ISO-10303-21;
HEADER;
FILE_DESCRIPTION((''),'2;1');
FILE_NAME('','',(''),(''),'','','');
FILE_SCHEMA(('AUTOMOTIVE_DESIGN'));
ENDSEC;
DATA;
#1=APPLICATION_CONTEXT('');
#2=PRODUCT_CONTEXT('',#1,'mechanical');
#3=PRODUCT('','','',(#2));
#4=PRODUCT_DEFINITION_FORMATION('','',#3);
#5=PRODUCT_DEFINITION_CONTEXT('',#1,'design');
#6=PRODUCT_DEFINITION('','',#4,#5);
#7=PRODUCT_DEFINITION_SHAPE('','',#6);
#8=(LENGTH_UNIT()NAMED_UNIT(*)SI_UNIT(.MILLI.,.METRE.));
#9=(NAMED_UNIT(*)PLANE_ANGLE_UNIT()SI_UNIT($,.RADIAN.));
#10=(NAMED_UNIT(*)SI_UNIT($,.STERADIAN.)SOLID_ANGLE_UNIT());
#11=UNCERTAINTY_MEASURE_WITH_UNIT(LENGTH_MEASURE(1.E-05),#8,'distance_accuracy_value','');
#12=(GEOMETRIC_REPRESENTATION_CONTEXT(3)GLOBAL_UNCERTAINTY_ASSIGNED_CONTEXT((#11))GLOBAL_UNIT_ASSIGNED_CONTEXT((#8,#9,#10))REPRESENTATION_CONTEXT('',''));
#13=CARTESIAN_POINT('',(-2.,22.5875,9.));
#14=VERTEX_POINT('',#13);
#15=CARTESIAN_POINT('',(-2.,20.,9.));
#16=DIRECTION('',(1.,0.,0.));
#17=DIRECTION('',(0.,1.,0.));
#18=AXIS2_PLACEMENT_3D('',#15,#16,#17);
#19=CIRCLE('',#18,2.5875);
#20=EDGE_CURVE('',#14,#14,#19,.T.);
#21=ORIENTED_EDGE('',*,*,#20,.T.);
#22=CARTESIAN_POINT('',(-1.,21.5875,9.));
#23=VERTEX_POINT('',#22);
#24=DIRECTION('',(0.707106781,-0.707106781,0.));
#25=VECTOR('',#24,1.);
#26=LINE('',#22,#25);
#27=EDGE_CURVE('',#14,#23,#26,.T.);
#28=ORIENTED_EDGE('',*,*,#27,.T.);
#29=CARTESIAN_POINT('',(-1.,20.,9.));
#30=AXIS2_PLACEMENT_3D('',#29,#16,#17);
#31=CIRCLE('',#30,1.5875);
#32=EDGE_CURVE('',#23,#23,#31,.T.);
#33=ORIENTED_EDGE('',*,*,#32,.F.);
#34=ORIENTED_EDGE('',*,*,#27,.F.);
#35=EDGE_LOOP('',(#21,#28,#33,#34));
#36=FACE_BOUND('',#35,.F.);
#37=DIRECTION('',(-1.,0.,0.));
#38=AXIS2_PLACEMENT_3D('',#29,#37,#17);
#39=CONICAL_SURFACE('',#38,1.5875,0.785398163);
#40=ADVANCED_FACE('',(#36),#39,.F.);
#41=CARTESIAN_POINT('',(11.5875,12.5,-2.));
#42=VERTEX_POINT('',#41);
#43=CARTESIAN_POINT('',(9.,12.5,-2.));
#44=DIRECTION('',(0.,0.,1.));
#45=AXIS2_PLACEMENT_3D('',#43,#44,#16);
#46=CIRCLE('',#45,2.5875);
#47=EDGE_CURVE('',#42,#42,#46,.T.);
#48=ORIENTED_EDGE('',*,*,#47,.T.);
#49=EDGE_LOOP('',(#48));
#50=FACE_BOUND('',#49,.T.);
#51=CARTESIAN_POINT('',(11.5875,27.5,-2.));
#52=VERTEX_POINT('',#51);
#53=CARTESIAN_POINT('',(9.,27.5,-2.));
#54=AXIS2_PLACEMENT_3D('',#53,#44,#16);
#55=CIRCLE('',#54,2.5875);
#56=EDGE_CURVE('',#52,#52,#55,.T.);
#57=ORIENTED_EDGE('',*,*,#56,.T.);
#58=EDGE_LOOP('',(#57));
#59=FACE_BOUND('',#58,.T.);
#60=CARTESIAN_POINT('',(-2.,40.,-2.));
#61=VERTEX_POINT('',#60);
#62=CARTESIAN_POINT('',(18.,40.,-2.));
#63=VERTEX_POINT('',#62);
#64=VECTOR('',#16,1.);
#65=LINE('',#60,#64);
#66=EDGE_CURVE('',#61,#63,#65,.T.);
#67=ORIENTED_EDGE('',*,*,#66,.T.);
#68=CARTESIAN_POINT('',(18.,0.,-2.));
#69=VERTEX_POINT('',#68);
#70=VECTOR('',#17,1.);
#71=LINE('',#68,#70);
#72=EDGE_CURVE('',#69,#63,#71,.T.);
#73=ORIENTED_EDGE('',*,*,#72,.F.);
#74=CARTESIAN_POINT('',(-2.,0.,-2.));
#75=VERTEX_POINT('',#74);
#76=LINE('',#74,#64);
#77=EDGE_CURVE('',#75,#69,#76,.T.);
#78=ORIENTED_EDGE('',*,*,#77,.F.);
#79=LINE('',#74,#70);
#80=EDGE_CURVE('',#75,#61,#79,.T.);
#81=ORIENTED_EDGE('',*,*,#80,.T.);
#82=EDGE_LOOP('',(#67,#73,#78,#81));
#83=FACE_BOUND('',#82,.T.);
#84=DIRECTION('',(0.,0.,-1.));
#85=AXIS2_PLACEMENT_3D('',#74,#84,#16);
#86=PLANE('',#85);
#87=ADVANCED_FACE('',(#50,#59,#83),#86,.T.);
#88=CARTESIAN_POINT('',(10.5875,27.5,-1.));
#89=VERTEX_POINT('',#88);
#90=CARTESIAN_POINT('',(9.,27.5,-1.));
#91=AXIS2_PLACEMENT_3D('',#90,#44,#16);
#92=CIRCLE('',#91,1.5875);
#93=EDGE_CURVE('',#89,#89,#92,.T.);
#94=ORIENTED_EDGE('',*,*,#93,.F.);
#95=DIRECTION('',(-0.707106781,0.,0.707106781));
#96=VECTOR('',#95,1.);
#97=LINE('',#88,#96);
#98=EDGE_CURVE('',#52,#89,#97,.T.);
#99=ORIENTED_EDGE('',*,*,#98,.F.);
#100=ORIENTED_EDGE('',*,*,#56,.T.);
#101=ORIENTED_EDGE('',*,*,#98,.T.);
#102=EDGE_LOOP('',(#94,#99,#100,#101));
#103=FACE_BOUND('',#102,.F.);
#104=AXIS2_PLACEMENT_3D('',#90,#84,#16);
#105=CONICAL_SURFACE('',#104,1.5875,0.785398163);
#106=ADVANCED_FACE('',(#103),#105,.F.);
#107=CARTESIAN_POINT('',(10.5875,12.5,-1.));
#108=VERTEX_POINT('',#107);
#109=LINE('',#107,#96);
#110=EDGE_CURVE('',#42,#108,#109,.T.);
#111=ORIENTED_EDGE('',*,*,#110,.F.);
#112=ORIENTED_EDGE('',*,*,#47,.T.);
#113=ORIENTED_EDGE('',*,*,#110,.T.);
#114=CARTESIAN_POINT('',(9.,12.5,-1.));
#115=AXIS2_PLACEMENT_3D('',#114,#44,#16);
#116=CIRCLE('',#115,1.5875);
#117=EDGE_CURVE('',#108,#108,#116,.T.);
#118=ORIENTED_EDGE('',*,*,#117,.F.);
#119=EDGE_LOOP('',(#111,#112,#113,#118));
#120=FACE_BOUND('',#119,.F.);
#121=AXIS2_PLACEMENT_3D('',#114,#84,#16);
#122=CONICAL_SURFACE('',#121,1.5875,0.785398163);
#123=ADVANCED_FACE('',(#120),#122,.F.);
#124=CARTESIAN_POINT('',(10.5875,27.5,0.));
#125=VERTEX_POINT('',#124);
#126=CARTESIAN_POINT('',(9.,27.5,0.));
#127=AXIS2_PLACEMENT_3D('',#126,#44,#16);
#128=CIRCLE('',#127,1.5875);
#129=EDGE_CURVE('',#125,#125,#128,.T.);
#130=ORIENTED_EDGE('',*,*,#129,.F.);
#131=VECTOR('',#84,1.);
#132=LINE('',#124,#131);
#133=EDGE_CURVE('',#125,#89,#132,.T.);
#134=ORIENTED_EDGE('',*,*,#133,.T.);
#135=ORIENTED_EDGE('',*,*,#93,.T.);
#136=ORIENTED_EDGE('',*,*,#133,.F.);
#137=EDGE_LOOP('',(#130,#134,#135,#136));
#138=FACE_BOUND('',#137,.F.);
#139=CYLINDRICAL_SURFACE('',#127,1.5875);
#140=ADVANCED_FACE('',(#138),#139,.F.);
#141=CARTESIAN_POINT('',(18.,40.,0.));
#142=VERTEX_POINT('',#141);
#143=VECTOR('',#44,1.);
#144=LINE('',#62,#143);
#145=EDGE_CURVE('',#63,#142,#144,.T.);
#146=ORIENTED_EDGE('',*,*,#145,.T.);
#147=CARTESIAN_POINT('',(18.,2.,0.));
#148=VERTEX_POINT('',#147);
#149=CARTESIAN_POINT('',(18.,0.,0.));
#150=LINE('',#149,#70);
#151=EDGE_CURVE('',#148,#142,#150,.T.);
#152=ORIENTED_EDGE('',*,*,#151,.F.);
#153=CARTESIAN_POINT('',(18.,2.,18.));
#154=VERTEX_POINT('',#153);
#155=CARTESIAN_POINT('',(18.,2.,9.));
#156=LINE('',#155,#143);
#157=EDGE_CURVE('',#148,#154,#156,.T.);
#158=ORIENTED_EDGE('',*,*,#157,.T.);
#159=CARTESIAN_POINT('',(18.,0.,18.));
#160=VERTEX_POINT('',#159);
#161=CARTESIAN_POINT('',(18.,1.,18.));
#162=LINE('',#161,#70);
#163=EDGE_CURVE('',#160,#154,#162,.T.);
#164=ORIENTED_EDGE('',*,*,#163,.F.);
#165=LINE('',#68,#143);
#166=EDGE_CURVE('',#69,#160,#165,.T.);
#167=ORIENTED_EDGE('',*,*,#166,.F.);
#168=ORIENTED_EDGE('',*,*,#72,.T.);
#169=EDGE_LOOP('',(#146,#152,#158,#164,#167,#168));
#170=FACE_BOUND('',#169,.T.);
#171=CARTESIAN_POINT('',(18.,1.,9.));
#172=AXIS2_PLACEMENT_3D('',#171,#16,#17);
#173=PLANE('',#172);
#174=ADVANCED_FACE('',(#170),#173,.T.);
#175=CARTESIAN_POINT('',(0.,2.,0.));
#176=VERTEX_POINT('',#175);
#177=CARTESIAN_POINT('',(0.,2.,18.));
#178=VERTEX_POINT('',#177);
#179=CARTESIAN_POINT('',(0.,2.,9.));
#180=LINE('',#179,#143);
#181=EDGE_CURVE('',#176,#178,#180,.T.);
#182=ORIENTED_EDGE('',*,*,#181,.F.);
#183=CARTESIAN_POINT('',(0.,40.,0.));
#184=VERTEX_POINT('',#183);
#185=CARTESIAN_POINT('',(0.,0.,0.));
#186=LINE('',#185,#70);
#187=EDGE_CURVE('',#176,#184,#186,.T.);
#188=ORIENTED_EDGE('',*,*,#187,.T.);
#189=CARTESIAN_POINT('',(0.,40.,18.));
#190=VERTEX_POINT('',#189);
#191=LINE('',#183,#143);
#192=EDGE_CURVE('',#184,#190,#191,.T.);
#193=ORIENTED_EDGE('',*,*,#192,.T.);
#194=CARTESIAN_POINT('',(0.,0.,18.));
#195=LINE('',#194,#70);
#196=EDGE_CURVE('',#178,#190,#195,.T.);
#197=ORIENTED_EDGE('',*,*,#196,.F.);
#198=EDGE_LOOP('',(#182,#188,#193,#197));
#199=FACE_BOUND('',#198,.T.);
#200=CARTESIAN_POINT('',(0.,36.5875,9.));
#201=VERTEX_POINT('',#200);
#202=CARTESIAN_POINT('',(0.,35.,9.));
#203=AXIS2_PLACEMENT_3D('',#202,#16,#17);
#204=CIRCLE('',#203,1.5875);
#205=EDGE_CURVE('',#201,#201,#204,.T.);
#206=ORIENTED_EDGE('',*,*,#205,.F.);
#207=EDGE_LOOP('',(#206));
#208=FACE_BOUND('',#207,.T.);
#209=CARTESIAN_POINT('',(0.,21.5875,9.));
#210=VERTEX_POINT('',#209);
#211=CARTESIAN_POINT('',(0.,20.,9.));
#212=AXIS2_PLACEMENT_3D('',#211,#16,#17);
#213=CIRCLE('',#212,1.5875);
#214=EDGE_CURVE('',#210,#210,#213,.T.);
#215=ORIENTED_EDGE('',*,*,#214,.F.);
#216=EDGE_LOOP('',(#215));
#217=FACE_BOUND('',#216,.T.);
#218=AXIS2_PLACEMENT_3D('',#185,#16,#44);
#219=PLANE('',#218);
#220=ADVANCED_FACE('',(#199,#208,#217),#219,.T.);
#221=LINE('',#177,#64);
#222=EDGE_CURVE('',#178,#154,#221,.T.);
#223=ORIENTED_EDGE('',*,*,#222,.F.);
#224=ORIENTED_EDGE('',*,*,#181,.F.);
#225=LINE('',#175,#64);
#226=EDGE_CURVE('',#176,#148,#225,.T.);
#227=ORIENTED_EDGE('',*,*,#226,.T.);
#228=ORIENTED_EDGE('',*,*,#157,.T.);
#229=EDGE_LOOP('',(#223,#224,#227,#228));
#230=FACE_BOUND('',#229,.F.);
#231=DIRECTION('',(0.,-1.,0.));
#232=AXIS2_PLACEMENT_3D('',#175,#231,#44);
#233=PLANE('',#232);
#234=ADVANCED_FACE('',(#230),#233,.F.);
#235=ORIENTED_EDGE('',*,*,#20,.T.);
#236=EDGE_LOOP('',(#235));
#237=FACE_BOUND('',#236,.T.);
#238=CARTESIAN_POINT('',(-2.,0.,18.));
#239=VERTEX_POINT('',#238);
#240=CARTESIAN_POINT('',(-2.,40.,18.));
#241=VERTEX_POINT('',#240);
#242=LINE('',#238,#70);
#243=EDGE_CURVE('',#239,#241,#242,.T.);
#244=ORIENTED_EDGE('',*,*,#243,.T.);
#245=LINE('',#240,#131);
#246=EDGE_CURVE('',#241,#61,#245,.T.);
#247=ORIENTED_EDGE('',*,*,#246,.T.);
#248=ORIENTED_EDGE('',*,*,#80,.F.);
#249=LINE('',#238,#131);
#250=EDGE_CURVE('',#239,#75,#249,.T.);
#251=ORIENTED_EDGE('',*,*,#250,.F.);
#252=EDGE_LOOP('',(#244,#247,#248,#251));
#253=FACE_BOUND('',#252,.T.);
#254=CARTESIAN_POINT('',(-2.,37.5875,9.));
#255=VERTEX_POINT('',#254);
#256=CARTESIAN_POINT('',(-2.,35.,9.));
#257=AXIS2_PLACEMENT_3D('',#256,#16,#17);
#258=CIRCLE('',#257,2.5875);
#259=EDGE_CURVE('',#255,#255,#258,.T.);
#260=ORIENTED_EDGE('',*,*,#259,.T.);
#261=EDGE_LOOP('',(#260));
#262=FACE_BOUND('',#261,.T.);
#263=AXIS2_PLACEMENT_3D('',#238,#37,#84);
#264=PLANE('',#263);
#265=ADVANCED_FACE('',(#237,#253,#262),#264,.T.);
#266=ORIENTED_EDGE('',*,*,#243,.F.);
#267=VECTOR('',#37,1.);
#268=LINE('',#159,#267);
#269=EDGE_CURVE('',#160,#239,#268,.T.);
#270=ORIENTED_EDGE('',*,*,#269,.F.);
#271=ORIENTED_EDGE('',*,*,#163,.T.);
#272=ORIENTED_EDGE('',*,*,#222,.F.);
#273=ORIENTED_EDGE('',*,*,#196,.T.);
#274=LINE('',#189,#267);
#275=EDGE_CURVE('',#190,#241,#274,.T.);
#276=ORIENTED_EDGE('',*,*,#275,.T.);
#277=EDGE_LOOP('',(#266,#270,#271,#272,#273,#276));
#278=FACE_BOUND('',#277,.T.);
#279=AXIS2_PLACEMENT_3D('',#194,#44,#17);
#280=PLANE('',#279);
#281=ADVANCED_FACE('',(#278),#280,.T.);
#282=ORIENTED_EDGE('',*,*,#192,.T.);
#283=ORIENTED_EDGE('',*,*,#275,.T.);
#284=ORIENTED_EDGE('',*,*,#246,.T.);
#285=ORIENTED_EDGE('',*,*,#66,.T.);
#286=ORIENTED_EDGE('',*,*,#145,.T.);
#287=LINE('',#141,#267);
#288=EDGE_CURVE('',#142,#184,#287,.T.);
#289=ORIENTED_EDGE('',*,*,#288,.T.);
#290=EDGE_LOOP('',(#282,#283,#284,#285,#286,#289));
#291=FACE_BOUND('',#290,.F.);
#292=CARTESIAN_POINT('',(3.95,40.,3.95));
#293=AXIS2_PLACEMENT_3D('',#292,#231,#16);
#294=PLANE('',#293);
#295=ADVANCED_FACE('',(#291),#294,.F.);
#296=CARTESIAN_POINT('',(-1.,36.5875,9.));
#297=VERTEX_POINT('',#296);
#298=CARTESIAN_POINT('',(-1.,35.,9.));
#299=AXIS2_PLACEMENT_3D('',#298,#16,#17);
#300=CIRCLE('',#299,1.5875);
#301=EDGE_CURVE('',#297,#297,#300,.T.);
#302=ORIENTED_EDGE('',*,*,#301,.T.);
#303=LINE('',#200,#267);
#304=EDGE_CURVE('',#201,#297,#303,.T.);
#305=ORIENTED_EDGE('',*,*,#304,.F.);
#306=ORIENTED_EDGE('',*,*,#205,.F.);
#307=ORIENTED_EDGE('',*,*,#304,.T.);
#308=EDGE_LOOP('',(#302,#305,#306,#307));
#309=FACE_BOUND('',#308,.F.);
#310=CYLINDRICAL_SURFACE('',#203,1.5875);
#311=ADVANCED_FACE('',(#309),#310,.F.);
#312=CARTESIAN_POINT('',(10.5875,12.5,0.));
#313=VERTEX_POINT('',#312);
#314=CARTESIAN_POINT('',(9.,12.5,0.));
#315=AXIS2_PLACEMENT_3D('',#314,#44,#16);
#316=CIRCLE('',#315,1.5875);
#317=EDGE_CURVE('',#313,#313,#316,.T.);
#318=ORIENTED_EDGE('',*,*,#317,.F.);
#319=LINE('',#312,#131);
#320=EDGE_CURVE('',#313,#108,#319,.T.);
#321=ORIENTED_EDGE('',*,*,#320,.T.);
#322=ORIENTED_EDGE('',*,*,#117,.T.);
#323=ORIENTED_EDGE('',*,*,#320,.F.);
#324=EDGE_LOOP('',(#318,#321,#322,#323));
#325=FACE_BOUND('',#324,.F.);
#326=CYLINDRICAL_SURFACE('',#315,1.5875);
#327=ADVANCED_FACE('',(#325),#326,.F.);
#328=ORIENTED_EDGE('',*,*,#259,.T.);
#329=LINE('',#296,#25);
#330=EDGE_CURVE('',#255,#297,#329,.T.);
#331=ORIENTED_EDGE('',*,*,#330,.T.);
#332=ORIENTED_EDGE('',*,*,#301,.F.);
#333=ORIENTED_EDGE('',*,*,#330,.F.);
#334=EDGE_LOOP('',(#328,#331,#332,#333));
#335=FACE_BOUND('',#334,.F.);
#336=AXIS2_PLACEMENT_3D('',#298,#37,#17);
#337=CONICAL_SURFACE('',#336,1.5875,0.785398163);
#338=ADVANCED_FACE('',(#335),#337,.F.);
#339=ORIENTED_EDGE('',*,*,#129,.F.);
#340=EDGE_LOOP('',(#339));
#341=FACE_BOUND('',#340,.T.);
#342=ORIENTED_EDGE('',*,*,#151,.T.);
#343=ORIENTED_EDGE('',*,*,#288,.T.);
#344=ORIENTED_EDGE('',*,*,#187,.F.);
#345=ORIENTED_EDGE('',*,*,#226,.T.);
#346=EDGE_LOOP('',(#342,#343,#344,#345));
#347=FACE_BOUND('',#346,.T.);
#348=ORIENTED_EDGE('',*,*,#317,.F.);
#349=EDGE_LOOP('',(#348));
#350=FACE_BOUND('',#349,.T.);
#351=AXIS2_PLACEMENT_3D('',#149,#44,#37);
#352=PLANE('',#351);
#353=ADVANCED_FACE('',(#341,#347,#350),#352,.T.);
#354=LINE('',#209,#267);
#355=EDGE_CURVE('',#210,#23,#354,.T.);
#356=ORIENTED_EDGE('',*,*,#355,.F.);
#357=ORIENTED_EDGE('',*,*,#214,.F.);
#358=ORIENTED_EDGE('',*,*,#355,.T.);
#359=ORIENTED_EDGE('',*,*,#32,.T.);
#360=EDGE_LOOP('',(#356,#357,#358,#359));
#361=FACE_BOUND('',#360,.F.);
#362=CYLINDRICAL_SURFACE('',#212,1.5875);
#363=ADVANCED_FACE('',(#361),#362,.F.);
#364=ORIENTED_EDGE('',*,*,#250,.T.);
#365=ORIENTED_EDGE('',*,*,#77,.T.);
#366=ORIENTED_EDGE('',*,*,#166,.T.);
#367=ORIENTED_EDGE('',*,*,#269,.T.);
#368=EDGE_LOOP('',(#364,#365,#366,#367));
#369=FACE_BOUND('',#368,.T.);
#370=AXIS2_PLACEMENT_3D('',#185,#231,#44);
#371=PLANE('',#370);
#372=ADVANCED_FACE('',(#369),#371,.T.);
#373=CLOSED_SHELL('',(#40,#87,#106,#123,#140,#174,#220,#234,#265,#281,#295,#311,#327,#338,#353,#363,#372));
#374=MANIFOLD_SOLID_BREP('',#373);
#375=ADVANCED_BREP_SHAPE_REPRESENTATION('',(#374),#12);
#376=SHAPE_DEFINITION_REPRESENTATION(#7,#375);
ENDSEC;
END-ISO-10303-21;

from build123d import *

# Parameters (mm, degrees)
F1_DEPTH = 40
F2_W     = 2
F2_H     = 18
F3_DEPTH = 18
F4_R     = 1.5875
F5_DEPTH = 2.001
F6_R     = 1.5875
F7_DEPTH = 2.001
F8_SIZE  = 1


with BuildPart() as f1:
    # F0 (on Front) → F1 (new body)
    with BuildSketch(Plane.XZ):
        Polygon((-2, 18), (-2, -2), (18, -2), (18, 0), (0, 0), (0, 18), align=None)
    extrude(amount=-F1_DEPTH)

    # F2 (on face) → F3 (join, through all)
    with BuildSketch(Plane.YZ):
        with Locations((1, 9)):
            Rectangle(F2_W, F2_H)
    extrude(amount=F3_DEPTH)

    # F4 (on face) → F5 (cut, through all)
    with BuildSketch(Plane.XY):
        with Locations((9, 12.5)):
            Circle(F4_R)
        with Locations((9, 27.5)):
            Circle(F4_R)
    extrude(amount=-F5_DEPTH, mode=Mode.SUBTRACT)

    # F6 (on face) → F7 (cut, through all)
    with BuildSketch(Plane.YZ):
        with Locations((35, 9)):
            Circle(F6_R)
        with Locations((20, 9)):
            Circle(F6_R)
    extrude(amount=-F7_DEPTH, mode=Mode.SUBTRACT)

    # F8
    f8_edges = [f1.edges().sort_by_distance(p)[0] for p in [
        (-2, 18.4125, 9),
        (-2, 33.4125, 9),
        (7.4125, 27.5, -2),
        (7.4125, 12.5, -2),
    ]]
    chamfer(f8_edges, length=F8_SIZE)


solid = f1.part
